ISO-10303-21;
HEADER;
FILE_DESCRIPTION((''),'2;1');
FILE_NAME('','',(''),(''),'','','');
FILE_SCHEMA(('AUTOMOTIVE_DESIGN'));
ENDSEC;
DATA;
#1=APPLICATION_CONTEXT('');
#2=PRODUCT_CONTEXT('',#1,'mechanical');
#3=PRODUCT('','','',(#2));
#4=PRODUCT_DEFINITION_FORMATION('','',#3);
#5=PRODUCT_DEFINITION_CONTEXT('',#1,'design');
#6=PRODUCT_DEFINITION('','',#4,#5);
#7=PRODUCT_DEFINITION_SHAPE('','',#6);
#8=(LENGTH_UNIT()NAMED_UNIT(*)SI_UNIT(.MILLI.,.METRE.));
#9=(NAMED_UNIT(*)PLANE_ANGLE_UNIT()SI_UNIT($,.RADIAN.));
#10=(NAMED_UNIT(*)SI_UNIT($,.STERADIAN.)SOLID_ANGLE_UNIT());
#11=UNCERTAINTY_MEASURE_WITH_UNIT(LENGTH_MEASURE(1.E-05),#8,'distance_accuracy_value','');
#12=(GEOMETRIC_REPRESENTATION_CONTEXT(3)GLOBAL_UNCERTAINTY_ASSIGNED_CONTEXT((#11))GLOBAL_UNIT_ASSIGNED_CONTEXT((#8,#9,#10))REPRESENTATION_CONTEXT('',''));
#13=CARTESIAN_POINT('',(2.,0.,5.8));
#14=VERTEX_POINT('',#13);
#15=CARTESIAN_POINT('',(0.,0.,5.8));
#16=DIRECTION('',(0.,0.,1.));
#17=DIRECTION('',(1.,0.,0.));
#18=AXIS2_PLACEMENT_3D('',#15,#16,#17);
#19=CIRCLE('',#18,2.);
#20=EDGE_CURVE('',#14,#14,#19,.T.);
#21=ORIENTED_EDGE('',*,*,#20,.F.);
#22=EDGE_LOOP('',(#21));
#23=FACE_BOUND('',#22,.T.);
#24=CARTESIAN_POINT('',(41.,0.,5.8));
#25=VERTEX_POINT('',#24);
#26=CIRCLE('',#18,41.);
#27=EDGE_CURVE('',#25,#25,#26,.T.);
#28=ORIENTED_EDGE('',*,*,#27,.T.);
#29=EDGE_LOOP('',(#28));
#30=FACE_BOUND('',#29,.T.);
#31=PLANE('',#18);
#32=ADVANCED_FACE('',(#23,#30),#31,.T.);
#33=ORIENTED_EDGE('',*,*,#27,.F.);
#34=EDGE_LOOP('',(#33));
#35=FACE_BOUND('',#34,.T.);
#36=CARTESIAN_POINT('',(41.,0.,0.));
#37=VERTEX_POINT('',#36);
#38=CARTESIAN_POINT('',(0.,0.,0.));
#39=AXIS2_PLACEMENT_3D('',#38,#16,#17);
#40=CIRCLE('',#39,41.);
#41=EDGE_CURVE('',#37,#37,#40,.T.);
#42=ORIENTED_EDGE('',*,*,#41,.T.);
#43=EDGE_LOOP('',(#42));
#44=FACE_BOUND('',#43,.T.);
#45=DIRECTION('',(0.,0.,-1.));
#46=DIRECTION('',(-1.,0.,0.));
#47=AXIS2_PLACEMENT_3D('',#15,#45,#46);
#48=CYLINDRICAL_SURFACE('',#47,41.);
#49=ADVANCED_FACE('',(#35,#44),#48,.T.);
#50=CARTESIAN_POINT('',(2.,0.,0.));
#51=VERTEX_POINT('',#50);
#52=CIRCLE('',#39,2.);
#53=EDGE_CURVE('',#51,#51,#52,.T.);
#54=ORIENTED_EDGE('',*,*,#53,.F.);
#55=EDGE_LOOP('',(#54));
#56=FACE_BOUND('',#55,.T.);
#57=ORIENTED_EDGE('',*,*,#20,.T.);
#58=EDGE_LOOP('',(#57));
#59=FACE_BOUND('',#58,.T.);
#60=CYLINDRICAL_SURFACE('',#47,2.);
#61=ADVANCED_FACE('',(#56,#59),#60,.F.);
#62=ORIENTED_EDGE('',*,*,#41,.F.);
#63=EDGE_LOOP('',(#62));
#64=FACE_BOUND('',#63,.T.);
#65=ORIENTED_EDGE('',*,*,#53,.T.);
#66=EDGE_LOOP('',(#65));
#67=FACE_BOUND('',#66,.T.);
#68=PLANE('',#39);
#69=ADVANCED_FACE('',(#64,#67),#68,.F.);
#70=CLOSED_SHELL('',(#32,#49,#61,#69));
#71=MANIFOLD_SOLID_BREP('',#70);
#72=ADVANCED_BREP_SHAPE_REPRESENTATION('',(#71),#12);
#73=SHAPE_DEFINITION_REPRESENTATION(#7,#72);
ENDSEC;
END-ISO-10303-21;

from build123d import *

# Parameters (mm, degrees)
SKETCH1_R           = 41
SKETCH1_R_2         = 2
BOSS_EXTRUDE1_DEPTH = 5.8


with BuildPart() as part:
    # Sketch1 → Boss-Extrude1 (new body)
    with BuildSketch(Plane.XY):
        Circle(SKETCH1_R)
        Circle(SKETCH1_R_2, mode=Mode.SUBTRACT)
    extrude(amount=BOSS_EXTRUDE1_DEPTH)


solid = part.part
